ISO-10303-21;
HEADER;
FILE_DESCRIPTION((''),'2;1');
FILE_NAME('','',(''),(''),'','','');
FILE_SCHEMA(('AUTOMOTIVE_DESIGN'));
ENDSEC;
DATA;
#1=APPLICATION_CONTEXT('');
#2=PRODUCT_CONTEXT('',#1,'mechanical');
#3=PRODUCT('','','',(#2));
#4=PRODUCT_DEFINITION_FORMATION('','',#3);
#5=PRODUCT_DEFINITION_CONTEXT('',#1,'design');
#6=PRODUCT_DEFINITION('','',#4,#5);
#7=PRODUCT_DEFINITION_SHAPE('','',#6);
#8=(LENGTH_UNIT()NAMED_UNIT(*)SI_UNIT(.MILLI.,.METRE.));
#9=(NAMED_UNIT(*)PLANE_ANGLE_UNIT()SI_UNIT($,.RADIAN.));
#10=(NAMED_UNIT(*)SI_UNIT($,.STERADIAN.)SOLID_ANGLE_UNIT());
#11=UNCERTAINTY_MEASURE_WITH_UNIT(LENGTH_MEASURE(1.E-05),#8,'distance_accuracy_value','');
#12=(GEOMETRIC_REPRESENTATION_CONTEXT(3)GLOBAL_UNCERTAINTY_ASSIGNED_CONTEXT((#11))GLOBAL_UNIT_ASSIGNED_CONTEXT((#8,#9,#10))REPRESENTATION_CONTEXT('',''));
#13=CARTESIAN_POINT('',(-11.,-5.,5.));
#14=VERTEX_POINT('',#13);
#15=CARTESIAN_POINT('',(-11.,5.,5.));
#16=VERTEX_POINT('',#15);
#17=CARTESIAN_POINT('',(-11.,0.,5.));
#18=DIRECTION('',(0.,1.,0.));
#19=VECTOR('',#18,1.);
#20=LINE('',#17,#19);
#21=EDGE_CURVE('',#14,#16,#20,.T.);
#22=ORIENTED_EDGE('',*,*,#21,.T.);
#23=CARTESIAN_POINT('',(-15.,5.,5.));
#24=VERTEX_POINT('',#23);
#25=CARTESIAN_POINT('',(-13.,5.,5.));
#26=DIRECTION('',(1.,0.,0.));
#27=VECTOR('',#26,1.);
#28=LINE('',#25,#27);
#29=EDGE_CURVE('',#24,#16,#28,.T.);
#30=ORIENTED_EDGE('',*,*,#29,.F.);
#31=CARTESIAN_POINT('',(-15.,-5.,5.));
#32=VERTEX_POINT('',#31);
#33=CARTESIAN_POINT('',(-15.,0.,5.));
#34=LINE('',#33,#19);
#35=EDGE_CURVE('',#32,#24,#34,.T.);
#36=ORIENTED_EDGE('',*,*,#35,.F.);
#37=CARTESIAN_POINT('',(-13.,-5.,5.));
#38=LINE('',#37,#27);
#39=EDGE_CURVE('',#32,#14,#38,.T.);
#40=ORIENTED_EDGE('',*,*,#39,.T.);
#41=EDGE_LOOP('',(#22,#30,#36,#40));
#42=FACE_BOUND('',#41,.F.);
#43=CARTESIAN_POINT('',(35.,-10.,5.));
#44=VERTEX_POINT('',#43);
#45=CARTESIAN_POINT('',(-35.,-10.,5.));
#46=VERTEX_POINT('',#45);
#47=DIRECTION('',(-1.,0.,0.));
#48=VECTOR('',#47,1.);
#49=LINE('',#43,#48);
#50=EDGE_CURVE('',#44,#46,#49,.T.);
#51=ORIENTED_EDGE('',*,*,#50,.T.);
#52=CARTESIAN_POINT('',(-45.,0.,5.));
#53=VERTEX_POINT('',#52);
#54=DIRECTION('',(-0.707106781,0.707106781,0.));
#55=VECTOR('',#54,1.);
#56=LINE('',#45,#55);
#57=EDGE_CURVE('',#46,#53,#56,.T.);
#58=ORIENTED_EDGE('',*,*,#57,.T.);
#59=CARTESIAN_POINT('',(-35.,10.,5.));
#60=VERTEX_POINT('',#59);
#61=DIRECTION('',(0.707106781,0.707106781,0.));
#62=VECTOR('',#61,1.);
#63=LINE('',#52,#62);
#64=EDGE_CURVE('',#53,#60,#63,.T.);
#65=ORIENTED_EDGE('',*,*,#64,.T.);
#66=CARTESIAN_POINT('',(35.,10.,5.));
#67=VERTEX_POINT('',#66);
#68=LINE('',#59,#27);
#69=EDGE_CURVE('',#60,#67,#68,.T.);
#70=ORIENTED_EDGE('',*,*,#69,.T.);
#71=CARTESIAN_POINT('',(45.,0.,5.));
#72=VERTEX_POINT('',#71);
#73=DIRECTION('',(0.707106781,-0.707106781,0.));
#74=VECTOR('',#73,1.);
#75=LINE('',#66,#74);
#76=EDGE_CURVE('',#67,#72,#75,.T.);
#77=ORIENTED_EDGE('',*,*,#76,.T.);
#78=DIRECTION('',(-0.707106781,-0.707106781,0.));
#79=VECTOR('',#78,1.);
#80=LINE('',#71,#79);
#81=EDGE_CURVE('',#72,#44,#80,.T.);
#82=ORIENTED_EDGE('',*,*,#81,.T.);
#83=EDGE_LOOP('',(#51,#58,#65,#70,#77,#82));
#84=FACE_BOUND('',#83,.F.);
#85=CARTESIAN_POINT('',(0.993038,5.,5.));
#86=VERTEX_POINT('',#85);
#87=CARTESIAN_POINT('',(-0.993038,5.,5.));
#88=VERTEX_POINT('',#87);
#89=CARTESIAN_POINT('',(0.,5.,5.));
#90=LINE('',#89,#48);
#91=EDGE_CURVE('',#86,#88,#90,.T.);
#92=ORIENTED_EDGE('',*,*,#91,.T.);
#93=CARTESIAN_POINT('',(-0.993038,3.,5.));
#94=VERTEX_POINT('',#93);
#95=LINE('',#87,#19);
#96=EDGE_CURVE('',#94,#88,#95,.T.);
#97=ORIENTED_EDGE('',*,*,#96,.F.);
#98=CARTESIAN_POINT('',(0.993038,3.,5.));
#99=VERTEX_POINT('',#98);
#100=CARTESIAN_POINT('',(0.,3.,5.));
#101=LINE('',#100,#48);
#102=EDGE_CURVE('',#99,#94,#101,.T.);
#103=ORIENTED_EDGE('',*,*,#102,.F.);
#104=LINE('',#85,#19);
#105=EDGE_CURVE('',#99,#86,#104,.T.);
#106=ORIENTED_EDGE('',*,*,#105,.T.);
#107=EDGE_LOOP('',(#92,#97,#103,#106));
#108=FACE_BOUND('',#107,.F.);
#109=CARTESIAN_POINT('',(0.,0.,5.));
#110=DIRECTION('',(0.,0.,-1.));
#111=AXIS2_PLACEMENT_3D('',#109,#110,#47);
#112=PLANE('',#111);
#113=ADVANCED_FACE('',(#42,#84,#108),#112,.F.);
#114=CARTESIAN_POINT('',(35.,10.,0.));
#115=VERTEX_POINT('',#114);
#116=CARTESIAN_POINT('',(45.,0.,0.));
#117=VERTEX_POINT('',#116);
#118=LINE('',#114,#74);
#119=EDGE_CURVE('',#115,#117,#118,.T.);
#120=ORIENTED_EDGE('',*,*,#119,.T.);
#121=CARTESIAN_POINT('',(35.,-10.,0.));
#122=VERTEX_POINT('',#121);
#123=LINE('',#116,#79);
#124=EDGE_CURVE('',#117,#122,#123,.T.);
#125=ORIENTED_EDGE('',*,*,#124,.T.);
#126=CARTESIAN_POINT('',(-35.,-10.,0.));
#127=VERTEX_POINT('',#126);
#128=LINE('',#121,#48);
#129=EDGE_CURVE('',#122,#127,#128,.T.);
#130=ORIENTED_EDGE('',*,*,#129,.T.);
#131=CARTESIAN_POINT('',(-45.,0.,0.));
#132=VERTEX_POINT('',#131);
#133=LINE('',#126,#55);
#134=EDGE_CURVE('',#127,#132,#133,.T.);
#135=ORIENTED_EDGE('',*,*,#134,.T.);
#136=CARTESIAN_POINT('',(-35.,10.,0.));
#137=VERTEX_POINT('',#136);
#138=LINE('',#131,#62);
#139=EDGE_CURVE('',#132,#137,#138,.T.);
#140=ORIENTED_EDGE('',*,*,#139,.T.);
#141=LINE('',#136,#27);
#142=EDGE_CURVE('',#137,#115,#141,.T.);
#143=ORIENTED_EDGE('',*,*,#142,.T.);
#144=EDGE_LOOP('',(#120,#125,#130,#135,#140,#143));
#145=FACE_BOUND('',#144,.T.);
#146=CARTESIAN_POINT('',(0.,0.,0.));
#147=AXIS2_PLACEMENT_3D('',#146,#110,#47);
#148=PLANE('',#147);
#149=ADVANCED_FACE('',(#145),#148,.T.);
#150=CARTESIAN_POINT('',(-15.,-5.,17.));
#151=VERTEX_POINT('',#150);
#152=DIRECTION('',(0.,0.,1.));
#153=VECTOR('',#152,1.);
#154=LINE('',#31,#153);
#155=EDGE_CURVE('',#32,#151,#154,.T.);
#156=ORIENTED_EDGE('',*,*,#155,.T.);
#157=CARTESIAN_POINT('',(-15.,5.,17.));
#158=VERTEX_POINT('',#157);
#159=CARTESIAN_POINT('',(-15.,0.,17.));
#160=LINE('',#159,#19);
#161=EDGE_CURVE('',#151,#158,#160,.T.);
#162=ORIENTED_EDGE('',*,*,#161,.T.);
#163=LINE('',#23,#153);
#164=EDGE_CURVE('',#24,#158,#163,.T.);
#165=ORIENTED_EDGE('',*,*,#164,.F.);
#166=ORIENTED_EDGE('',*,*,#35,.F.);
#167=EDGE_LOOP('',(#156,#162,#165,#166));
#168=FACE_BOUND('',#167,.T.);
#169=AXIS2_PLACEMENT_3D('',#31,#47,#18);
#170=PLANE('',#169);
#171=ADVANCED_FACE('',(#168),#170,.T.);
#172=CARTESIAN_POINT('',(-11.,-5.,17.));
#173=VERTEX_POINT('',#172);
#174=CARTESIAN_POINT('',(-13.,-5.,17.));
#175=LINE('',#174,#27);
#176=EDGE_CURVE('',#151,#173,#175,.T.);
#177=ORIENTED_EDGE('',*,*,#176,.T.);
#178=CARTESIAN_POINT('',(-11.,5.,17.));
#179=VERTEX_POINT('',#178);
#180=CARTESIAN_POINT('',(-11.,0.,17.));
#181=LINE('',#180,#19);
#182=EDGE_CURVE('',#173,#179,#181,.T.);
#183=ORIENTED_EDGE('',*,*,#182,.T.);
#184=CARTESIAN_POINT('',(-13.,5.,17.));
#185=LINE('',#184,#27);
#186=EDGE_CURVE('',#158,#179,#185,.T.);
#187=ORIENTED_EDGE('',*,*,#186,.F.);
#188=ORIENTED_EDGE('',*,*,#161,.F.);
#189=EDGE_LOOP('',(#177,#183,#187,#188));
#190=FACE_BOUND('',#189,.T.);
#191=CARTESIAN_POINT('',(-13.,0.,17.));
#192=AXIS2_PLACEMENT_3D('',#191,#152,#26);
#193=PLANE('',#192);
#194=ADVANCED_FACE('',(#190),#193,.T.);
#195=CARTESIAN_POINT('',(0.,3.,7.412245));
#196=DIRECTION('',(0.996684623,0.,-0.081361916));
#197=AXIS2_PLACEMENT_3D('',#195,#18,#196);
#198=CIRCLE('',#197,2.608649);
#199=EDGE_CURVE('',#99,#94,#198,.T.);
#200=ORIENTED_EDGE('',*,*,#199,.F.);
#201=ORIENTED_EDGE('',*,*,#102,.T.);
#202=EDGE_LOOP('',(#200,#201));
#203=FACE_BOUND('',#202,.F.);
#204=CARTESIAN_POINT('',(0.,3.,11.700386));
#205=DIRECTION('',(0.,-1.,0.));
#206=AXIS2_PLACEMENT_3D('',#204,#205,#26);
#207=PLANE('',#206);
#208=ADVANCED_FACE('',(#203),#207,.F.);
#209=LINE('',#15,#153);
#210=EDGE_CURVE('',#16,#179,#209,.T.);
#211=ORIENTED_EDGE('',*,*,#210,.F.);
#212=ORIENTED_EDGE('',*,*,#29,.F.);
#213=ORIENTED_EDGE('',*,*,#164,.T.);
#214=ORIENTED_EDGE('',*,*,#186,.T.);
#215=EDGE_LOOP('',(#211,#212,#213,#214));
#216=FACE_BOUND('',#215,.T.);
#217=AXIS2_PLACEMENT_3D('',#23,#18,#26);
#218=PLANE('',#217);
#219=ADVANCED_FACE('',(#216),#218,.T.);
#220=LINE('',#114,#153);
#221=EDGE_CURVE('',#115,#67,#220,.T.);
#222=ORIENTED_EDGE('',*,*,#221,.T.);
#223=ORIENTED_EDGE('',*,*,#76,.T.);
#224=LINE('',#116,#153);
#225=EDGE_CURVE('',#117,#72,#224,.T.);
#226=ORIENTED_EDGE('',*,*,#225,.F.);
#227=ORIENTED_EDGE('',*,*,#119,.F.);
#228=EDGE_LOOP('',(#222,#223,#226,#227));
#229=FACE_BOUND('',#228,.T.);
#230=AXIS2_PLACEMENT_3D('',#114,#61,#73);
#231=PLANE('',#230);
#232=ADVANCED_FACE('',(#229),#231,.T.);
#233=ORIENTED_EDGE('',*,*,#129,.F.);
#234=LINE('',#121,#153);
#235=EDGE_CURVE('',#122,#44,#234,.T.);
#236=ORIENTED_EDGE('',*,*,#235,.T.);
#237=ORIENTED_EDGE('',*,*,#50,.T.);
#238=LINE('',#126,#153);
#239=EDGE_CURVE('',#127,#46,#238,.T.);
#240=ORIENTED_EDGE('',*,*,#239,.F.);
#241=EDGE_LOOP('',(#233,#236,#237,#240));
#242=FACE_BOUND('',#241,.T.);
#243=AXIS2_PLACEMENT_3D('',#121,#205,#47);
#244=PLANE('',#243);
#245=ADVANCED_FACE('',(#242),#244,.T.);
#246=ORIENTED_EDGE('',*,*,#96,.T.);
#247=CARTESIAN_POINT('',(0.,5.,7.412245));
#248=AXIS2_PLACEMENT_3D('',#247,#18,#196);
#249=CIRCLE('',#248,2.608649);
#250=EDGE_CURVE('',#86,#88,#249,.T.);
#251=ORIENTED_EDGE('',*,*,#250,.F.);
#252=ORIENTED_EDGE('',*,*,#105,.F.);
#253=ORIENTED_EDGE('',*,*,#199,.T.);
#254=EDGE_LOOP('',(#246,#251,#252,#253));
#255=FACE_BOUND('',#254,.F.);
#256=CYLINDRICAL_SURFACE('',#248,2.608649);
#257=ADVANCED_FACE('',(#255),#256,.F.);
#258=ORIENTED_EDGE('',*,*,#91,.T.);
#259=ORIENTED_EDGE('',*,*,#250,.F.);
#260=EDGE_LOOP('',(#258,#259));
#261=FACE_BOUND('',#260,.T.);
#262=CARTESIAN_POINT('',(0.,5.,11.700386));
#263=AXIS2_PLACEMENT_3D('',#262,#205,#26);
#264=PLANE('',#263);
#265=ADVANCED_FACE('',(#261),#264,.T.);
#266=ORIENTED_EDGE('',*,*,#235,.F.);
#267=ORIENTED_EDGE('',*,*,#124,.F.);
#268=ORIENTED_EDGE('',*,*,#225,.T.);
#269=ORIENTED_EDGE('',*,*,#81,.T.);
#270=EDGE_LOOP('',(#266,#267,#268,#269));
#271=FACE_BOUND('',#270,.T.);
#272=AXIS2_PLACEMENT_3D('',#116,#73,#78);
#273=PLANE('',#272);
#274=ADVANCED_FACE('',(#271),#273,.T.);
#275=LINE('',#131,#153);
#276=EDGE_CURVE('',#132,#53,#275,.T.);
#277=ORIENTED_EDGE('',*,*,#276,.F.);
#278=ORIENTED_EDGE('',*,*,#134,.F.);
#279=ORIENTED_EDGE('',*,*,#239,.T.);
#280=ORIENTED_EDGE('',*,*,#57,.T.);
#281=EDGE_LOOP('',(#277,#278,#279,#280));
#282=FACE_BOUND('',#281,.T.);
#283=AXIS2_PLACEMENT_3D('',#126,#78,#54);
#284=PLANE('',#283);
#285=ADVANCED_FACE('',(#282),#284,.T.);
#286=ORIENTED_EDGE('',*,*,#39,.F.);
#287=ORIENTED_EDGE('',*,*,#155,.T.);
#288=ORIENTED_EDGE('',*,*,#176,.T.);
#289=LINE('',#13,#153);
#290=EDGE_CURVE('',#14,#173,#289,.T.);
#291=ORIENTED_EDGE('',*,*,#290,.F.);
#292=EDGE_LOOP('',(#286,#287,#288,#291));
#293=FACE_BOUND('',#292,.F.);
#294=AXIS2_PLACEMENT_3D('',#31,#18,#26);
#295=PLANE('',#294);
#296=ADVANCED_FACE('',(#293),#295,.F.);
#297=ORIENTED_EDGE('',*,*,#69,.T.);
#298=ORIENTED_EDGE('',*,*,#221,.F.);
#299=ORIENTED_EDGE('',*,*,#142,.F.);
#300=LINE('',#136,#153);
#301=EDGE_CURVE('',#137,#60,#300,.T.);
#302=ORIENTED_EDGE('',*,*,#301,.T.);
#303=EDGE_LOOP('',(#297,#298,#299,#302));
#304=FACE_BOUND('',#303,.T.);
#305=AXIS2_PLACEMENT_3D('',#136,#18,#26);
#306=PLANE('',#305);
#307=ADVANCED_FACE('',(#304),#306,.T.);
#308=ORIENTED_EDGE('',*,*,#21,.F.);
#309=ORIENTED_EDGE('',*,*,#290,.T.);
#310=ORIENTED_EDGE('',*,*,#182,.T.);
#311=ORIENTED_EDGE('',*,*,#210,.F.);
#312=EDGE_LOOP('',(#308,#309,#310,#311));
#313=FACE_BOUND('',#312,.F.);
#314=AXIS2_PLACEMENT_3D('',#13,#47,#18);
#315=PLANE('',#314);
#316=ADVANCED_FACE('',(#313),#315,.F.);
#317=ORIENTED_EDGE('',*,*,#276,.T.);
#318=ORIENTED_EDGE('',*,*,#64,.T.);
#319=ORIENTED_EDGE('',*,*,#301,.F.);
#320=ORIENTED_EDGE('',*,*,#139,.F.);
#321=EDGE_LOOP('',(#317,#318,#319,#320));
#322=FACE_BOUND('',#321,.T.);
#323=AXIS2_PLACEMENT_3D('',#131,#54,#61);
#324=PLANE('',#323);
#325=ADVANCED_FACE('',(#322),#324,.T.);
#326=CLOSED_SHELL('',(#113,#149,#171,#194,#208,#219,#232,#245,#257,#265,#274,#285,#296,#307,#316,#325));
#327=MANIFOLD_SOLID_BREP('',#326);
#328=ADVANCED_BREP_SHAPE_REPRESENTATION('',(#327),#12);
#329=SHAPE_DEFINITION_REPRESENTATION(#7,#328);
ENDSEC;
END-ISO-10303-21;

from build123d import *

# Parameters (mm, degrees)
PAD_DEPTH    = 5
SKETCH001_W  = 4
SKETCH001_H  = 10
PAD001_DEPTH = 12
POCKET_DEPTH = 2


with BuildPart() as part:
    # Sketch → Pad (new body)
    with BuildSketch(Plane.XY):
        Polygon((-35, 10), (35, 10), (45, 0), (35, -10), (-35, -10), (-45, 0), align=None)
    extrude(amount=PAD_DEPTH)

    # Sketch001 (on Face8 of Pad) → Pad001 (join)
    with BuildSketch(Plane.XY.offset(5)):
        with Locations((-13, 0)):
            Rectangle(SKETCH001_W, SKETCH001_H)
    extrude(amount=PAD001_DEPTH)

    # Sketch002 (on Face12 of Pad001) → Pocket (cut)
    with BuildSketch(Plane(origin=(0, 5, 0), x_dir=(-1, 0, 0), z_dir=(0, 1, 0))):
        with BuildLine():
            Line((-3.4, 17), (3.4, 17))
            Line((3.4, 17), (2.6, 7.2))
            ThreePointArc((-2.6, 7.2), (0, 4.803596), (2.6, 7.2))
            Line((-3.4, 17), (-2.6, 7.2))
        make_face()
    extrude(amount=-POCKET_DEPTH, mode=Mode.SUBTRACT)


solid = part.part
